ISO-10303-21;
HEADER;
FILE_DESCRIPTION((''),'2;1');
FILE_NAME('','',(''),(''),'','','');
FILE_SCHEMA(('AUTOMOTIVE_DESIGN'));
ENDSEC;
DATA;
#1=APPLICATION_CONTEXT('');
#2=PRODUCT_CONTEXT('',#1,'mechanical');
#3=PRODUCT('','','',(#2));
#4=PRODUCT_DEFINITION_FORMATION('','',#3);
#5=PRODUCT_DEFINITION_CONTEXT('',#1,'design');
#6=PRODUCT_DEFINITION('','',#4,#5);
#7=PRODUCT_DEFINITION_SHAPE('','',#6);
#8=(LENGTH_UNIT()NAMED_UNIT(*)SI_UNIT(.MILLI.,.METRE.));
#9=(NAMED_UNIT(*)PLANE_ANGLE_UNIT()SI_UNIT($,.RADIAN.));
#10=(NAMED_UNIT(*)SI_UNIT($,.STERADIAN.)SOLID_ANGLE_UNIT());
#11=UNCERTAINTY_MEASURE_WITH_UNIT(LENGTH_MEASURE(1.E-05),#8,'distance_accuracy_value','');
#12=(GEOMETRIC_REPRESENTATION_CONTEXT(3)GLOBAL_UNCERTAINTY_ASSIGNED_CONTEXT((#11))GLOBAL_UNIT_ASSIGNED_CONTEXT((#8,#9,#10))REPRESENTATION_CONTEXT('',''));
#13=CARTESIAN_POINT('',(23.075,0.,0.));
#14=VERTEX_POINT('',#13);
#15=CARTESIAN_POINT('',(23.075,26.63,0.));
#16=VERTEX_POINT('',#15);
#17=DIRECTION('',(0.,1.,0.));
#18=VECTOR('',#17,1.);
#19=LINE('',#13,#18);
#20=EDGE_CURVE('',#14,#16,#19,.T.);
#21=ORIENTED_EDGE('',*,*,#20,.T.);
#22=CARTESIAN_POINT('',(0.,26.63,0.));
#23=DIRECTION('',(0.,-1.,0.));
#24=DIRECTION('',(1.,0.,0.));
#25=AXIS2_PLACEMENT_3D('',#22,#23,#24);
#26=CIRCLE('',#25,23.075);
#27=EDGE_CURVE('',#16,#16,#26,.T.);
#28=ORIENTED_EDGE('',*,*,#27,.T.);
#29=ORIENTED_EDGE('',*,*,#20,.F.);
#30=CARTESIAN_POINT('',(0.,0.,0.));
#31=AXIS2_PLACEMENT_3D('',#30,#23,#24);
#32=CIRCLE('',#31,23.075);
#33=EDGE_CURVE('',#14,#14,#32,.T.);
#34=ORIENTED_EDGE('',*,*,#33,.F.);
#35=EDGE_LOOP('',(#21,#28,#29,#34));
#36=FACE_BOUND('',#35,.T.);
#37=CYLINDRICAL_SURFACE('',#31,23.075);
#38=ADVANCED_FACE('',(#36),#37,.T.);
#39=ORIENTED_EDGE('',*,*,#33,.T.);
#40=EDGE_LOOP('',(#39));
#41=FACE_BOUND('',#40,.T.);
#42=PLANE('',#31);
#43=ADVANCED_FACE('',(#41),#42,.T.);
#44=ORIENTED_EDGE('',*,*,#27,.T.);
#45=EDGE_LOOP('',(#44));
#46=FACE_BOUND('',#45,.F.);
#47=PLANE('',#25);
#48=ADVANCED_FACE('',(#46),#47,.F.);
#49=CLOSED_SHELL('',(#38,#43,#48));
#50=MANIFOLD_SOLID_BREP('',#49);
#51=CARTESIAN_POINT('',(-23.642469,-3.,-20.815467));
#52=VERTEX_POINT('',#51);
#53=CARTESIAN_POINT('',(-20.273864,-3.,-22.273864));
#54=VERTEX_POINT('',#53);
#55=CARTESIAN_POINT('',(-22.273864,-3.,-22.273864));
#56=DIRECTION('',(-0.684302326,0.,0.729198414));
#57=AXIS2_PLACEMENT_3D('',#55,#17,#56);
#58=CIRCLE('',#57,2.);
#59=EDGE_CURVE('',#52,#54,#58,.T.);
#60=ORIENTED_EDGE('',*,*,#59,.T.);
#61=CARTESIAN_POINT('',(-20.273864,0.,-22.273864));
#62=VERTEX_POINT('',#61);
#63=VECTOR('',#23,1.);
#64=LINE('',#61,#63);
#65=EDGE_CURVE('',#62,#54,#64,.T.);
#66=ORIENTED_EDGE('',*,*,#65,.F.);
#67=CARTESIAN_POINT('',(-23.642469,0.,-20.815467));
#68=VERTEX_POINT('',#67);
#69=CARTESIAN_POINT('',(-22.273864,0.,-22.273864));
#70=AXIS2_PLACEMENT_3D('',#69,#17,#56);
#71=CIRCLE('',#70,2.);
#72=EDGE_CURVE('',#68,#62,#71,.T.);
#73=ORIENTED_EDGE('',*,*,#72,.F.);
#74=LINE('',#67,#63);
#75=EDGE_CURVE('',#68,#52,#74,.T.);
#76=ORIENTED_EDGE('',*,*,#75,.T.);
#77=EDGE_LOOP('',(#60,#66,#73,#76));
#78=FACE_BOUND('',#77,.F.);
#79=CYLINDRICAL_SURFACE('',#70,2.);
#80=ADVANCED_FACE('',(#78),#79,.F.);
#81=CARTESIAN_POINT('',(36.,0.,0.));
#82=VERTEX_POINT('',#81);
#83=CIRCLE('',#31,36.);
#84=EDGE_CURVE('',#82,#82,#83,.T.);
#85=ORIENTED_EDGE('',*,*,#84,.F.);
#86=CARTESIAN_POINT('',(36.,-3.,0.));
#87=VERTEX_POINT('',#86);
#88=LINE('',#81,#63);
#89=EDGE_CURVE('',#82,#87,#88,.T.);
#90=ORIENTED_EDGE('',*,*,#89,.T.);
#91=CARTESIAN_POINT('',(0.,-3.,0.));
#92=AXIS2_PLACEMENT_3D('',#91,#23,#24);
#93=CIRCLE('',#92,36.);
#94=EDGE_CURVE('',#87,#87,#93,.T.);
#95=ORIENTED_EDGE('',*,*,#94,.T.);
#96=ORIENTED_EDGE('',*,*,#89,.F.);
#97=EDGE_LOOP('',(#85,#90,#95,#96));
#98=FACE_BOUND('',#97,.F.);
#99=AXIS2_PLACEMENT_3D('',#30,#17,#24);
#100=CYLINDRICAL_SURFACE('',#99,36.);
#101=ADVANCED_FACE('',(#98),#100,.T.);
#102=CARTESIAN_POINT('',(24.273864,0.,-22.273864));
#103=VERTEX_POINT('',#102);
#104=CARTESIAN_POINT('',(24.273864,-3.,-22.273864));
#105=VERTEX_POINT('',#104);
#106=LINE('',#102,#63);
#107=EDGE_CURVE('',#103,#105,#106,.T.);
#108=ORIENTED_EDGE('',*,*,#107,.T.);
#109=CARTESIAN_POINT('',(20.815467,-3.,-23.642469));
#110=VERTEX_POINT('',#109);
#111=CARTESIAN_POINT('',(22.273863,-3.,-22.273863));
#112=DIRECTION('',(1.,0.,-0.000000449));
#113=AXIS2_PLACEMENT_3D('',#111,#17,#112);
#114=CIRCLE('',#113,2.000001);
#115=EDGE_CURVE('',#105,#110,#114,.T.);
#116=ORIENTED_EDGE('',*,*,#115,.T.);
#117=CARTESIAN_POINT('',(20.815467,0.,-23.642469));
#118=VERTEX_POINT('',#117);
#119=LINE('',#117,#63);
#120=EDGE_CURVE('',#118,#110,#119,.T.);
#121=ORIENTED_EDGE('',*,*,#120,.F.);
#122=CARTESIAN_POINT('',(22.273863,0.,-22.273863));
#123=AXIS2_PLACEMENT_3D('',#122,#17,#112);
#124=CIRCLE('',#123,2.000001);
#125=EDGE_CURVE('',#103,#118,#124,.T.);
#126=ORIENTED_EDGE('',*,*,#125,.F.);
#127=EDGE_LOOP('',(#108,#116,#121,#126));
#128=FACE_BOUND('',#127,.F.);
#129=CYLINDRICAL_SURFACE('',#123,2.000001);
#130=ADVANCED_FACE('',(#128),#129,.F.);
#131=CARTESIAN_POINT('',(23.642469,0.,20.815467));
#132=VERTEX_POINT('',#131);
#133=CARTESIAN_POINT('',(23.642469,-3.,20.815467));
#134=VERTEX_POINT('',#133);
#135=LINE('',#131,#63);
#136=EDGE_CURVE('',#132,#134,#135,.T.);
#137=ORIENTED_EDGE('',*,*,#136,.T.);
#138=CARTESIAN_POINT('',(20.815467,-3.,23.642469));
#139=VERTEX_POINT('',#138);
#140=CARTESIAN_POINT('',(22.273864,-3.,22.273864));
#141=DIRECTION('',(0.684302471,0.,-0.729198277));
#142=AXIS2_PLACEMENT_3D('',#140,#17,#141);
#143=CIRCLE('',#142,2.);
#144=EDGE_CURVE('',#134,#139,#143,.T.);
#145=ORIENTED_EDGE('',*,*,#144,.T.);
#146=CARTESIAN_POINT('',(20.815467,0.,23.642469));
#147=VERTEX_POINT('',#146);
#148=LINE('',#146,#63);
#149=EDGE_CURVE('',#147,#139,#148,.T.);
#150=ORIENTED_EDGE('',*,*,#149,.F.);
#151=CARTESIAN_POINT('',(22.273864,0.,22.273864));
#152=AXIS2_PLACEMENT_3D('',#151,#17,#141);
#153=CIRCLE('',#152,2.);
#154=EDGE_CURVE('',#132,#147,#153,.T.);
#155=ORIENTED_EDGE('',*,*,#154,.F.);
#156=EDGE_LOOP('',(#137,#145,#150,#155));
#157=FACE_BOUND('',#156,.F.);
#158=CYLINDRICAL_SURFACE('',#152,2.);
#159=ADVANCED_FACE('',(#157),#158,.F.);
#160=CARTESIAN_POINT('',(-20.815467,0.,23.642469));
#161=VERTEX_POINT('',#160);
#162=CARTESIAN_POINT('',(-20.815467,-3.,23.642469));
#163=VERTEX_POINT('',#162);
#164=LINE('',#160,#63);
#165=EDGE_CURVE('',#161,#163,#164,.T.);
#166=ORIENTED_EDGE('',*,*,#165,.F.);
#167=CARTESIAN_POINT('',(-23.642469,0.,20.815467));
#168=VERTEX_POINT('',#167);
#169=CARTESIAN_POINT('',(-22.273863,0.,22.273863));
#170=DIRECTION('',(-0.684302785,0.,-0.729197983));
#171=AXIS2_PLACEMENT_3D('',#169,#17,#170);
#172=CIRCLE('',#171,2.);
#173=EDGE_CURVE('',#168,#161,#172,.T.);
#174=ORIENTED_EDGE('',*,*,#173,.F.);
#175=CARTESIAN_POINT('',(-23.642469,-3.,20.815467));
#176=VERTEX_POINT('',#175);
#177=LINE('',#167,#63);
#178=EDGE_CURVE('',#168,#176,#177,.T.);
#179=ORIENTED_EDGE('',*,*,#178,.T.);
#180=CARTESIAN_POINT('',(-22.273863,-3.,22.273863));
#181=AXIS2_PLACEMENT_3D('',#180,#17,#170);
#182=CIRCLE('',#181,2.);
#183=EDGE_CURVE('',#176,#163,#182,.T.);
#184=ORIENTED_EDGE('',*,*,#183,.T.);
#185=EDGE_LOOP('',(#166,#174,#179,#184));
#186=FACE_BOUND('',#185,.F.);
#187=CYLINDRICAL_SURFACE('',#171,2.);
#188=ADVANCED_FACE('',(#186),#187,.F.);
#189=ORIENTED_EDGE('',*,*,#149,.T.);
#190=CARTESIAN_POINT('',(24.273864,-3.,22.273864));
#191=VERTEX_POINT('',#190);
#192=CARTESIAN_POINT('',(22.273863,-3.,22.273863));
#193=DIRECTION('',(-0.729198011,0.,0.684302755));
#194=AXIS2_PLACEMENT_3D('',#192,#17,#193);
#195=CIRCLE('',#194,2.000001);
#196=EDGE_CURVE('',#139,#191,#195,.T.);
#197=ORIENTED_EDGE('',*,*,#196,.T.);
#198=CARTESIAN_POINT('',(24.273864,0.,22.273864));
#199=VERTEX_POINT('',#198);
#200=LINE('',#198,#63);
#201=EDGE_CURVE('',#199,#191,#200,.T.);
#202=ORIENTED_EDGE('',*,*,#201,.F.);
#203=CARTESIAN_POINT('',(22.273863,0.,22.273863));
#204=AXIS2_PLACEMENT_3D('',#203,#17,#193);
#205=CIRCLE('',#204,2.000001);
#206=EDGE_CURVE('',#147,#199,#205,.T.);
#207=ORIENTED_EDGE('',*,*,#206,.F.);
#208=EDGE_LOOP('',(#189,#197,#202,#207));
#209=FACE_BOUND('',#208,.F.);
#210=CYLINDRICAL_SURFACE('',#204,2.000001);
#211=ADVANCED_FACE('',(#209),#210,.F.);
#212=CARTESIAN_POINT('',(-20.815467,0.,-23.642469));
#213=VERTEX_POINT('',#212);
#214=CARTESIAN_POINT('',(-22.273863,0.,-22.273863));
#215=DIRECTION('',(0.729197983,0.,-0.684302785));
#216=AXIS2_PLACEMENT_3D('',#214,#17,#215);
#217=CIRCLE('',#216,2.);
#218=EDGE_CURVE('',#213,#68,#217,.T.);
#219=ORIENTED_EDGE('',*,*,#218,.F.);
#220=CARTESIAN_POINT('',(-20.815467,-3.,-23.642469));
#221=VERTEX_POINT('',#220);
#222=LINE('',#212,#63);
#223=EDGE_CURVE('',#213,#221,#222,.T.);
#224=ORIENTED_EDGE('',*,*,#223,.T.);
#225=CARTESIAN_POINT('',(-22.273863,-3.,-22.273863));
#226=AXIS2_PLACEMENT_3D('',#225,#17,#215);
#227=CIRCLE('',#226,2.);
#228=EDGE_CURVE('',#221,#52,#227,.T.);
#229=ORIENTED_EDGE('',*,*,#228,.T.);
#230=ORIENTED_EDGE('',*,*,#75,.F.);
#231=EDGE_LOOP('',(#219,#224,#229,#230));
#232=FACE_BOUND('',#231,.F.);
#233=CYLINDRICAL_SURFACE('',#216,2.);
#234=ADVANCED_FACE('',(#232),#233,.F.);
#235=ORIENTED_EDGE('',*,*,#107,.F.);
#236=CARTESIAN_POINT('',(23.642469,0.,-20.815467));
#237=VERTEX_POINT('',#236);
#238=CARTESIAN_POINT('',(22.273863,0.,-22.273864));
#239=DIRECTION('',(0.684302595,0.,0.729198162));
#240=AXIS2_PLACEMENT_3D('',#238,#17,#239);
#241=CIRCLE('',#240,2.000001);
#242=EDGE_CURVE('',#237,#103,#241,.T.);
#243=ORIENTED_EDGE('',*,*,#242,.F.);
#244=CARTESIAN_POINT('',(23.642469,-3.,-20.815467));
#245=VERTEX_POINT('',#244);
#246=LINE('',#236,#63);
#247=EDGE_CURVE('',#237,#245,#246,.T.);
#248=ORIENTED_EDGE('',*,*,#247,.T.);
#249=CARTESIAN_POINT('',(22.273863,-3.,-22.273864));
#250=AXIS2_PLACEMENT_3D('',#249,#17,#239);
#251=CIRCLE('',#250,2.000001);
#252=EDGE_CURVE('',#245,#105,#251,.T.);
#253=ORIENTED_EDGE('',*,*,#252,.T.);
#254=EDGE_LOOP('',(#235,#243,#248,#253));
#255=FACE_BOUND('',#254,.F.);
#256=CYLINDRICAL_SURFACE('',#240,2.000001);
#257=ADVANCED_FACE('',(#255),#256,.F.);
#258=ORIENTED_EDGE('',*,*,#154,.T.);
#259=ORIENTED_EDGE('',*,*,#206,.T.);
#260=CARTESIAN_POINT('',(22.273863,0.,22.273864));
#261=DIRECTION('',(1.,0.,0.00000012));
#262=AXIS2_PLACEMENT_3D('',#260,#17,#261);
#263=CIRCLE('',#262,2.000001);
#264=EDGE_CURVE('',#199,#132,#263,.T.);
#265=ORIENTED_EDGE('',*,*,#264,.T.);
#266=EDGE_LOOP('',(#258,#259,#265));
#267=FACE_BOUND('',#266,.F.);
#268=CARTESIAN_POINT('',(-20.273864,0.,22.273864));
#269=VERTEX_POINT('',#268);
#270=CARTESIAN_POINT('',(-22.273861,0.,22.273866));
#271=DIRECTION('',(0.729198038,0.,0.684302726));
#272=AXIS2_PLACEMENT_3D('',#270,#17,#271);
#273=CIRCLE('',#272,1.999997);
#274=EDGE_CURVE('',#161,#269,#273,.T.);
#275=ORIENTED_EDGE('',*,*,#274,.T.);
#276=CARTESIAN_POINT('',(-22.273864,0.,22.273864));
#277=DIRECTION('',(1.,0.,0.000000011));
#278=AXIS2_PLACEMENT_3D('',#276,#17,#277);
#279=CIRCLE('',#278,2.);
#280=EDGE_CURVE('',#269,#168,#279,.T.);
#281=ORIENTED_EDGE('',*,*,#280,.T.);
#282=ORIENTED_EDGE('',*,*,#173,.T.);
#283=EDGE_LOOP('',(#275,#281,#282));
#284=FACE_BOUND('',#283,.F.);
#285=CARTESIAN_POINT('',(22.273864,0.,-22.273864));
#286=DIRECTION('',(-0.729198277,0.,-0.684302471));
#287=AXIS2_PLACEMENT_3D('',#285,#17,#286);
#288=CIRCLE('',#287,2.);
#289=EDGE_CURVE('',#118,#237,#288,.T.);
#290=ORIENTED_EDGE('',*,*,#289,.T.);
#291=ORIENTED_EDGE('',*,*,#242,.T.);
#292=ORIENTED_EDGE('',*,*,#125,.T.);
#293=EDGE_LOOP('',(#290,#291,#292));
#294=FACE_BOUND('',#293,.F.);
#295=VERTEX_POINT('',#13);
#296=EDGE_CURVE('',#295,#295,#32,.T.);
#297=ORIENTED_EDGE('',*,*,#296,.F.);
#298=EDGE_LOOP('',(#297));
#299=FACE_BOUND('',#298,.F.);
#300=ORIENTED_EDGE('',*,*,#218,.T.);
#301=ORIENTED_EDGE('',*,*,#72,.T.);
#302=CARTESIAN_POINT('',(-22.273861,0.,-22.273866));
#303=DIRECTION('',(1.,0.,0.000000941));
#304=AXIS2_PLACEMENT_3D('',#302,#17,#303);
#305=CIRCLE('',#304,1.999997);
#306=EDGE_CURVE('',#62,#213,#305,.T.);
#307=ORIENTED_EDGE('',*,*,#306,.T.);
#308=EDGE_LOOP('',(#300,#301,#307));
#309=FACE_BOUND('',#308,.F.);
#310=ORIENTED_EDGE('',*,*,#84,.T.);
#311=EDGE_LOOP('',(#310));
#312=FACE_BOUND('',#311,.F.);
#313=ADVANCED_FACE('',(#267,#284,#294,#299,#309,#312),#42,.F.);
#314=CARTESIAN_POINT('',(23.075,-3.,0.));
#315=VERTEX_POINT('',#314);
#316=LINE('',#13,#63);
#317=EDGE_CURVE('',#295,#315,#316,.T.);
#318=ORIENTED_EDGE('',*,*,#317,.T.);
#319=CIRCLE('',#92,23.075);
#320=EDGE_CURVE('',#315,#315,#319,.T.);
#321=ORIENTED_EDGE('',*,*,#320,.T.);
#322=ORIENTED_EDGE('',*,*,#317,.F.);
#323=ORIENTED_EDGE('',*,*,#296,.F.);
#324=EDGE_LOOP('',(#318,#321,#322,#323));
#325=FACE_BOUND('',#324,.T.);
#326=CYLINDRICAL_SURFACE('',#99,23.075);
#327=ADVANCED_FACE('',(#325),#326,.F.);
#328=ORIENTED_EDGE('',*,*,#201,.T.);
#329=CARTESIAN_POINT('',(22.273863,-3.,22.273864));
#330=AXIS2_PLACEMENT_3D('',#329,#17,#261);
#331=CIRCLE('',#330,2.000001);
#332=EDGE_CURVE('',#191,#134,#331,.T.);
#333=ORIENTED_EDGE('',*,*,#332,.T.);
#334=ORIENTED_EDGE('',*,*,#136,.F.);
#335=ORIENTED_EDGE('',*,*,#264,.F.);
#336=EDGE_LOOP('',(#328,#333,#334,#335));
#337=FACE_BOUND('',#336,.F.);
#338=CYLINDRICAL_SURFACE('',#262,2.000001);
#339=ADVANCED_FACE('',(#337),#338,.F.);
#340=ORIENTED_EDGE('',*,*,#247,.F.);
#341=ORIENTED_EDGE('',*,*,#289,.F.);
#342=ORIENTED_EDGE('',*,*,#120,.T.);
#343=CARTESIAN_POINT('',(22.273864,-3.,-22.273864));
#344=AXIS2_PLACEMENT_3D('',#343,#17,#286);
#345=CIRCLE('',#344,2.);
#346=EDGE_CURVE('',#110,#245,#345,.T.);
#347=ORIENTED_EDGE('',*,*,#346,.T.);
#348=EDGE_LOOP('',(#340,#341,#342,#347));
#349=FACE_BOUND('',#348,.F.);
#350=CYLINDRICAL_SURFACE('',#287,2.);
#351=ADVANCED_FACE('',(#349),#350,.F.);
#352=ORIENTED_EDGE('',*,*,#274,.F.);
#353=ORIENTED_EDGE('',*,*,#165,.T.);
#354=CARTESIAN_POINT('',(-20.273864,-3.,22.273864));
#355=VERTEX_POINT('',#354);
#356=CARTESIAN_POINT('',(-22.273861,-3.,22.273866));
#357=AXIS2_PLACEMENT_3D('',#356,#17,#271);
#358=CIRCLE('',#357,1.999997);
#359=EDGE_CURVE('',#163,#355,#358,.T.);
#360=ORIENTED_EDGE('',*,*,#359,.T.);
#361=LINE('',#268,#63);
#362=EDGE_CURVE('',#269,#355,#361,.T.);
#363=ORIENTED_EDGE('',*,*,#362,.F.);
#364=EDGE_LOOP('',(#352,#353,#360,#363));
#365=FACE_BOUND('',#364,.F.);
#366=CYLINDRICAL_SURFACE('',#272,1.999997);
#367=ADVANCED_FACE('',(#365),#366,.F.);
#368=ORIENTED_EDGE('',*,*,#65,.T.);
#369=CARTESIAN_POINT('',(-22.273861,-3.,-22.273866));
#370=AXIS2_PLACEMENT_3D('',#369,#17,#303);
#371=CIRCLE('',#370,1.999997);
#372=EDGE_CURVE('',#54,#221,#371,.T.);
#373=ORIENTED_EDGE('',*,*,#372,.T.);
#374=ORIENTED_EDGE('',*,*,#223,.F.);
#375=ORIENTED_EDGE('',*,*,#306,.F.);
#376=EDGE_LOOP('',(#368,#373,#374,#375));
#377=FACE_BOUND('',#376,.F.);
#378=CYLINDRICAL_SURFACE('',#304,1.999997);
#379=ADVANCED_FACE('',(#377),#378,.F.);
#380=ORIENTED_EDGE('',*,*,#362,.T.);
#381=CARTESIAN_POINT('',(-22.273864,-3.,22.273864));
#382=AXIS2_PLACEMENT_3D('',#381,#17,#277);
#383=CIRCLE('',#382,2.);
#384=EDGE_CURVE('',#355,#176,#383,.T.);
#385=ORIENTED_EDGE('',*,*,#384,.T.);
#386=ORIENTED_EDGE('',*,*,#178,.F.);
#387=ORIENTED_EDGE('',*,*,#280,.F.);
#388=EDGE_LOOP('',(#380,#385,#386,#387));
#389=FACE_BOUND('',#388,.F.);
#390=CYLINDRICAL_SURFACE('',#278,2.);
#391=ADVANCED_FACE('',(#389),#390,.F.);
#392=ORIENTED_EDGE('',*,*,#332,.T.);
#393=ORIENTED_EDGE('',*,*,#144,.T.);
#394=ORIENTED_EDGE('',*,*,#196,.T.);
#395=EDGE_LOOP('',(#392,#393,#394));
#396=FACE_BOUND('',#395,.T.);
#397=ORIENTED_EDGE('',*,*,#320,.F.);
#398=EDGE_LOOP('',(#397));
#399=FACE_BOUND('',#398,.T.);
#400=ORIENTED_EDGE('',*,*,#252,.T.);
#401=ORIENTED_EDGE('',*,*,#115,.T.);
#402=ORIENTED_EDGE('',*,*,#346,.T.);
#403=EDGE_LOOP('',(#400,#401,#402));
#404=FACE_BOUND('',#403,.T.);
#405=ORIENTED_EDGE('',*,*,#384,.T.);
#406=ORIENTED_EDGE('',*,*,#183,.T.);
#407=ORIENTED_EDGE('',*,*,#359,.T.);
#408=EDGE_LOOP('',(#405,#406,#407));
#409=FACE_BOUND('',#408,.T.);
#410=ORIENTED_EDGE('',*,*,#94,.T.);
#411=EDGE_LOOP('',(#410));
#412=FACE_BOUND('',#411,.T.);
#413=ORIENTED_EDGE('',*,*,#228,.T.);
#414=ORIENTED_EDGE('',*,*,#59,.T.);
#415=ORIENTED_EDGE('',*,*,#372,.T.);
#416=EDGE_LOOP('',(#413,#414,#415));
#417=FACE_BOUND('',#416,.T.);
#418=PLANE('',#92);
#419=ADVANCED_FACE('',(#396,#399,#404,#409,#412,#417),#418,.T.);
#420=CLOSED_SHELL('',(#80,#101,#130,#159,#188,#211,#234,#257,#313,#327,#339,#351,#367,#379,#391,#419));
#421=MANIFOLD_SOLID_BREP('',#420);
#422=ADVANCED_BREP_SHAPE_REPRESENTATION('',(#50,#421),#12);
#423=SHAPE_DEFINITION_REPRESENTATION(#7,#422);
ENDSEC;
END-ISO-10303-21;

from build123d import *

# Parameters (mm, degrees)
F0_R     = 36
F0_R_2   = 23.075
F1_DEPTH = 3
F2_DEPTH = 26.63


with BuildPart() as f1:
    # F0 (on Front) → F1 (new body)
    with BuildSketch(Plane.XZ):
        Circle(F0_R)
        with BuildLine():
            ThreePointArc((23.642469, 20.815467), (29.47022, 11.124573), (31.5, 0))
            ThreePointArc((31.5, 0), (29.47022, -11.124573), (23.642469, -20.815467))
            ThreePointArc((23.642469, -20.815467), (24.10924, -21.47926), (24.273864, -22.273864))
            ThreePointArc((24.273864, -22.273864), (23.009801, -24.13354), (20.815467, -23.642469))
            ThreePointArc((20.815467, -23.642469), (0, -31.5), (-20.815467, -23.642469))
            ThreePointArc((-20.815467, -23.642469), (-23.688077, -23.688077), (-23.642469, -20.815467))
            ThreePointArc((-23.642469, -20.815467), (-31.5, 0), (-23.642469, 20.815467))
            ThreePointArc((-23.642469, 20.815467), (-23.688077, 23.688077), (-20.815467, 23.642469))
            ThreePointArc((-20.815467, 23.642469), (0, 31.5), (20.815467, 23.642469))
            ThreePointArc((20.815467, 23.642469), (23.009801, 24.13354), (24.273864, 22.273864))
            ThreePointArc((24.273864, 22.273864), (24.10924, 21.47926), (23.642469, 20.815467))
        make_face(mode=Mode.SUBTRACT)
        with BuildLine():
            ThreePointArc((23.642469, -20.815467), (29.47022, -11.124573), (31.5, 0))
            ThreePointArc((31.5, 0), (29.47022, 11.124573), (23.642469, 20.815467))
            ThreePointArc((23.642469, 20.815467), (20.85965, 20.85965), (20.815467, 23.642469))
            ThreePointArc((20.815467, 23.642469), (0, 31.5), (-20.815467, 23.642469))
            ThreePointArc((-20.815467, 23.642469), (-20.414187, 23.009801), (-20.273864, 22.273864))
            ThreePointArc((-20.273864, 22.273864), (-21.47926, 20.438488), (-23.642469, 20.815467))
            ThreePointArc((-23.642469, 20.815467), (-31.5, 0), (-23.642469, -20.815467))
            ThreePointArc((-23.642469, -20.815467), (-21.47926, -20.438488), (-20.273864, -22.273864))
            ThreePointArc((-20.273864, -22.273864), (-20.414187, -23.009801), (-20.815467, -23.642469))
            ThreePointArc((-20.815467, -23.642469), (0, -31.5), (20.815467, -23.642469))
            ThreePointArc((20.815467, -23.642469), (20.85965, -20.85965), (23.642469, -20.815467))
        make_face()
        Circle(F0_R_2, mode=Mode.SUBTRACT)
    extrude(amount=F1_DEPTH)


with BuildPart() as f2:
    # F0 (on Front) → F2 (new body)
    with BuildSketch(Plane.XZ):
        Circle(F0_R_2)
    extrude(amount=-F2_DEPTH)


solid = Compound([f1.part, f2.part])
